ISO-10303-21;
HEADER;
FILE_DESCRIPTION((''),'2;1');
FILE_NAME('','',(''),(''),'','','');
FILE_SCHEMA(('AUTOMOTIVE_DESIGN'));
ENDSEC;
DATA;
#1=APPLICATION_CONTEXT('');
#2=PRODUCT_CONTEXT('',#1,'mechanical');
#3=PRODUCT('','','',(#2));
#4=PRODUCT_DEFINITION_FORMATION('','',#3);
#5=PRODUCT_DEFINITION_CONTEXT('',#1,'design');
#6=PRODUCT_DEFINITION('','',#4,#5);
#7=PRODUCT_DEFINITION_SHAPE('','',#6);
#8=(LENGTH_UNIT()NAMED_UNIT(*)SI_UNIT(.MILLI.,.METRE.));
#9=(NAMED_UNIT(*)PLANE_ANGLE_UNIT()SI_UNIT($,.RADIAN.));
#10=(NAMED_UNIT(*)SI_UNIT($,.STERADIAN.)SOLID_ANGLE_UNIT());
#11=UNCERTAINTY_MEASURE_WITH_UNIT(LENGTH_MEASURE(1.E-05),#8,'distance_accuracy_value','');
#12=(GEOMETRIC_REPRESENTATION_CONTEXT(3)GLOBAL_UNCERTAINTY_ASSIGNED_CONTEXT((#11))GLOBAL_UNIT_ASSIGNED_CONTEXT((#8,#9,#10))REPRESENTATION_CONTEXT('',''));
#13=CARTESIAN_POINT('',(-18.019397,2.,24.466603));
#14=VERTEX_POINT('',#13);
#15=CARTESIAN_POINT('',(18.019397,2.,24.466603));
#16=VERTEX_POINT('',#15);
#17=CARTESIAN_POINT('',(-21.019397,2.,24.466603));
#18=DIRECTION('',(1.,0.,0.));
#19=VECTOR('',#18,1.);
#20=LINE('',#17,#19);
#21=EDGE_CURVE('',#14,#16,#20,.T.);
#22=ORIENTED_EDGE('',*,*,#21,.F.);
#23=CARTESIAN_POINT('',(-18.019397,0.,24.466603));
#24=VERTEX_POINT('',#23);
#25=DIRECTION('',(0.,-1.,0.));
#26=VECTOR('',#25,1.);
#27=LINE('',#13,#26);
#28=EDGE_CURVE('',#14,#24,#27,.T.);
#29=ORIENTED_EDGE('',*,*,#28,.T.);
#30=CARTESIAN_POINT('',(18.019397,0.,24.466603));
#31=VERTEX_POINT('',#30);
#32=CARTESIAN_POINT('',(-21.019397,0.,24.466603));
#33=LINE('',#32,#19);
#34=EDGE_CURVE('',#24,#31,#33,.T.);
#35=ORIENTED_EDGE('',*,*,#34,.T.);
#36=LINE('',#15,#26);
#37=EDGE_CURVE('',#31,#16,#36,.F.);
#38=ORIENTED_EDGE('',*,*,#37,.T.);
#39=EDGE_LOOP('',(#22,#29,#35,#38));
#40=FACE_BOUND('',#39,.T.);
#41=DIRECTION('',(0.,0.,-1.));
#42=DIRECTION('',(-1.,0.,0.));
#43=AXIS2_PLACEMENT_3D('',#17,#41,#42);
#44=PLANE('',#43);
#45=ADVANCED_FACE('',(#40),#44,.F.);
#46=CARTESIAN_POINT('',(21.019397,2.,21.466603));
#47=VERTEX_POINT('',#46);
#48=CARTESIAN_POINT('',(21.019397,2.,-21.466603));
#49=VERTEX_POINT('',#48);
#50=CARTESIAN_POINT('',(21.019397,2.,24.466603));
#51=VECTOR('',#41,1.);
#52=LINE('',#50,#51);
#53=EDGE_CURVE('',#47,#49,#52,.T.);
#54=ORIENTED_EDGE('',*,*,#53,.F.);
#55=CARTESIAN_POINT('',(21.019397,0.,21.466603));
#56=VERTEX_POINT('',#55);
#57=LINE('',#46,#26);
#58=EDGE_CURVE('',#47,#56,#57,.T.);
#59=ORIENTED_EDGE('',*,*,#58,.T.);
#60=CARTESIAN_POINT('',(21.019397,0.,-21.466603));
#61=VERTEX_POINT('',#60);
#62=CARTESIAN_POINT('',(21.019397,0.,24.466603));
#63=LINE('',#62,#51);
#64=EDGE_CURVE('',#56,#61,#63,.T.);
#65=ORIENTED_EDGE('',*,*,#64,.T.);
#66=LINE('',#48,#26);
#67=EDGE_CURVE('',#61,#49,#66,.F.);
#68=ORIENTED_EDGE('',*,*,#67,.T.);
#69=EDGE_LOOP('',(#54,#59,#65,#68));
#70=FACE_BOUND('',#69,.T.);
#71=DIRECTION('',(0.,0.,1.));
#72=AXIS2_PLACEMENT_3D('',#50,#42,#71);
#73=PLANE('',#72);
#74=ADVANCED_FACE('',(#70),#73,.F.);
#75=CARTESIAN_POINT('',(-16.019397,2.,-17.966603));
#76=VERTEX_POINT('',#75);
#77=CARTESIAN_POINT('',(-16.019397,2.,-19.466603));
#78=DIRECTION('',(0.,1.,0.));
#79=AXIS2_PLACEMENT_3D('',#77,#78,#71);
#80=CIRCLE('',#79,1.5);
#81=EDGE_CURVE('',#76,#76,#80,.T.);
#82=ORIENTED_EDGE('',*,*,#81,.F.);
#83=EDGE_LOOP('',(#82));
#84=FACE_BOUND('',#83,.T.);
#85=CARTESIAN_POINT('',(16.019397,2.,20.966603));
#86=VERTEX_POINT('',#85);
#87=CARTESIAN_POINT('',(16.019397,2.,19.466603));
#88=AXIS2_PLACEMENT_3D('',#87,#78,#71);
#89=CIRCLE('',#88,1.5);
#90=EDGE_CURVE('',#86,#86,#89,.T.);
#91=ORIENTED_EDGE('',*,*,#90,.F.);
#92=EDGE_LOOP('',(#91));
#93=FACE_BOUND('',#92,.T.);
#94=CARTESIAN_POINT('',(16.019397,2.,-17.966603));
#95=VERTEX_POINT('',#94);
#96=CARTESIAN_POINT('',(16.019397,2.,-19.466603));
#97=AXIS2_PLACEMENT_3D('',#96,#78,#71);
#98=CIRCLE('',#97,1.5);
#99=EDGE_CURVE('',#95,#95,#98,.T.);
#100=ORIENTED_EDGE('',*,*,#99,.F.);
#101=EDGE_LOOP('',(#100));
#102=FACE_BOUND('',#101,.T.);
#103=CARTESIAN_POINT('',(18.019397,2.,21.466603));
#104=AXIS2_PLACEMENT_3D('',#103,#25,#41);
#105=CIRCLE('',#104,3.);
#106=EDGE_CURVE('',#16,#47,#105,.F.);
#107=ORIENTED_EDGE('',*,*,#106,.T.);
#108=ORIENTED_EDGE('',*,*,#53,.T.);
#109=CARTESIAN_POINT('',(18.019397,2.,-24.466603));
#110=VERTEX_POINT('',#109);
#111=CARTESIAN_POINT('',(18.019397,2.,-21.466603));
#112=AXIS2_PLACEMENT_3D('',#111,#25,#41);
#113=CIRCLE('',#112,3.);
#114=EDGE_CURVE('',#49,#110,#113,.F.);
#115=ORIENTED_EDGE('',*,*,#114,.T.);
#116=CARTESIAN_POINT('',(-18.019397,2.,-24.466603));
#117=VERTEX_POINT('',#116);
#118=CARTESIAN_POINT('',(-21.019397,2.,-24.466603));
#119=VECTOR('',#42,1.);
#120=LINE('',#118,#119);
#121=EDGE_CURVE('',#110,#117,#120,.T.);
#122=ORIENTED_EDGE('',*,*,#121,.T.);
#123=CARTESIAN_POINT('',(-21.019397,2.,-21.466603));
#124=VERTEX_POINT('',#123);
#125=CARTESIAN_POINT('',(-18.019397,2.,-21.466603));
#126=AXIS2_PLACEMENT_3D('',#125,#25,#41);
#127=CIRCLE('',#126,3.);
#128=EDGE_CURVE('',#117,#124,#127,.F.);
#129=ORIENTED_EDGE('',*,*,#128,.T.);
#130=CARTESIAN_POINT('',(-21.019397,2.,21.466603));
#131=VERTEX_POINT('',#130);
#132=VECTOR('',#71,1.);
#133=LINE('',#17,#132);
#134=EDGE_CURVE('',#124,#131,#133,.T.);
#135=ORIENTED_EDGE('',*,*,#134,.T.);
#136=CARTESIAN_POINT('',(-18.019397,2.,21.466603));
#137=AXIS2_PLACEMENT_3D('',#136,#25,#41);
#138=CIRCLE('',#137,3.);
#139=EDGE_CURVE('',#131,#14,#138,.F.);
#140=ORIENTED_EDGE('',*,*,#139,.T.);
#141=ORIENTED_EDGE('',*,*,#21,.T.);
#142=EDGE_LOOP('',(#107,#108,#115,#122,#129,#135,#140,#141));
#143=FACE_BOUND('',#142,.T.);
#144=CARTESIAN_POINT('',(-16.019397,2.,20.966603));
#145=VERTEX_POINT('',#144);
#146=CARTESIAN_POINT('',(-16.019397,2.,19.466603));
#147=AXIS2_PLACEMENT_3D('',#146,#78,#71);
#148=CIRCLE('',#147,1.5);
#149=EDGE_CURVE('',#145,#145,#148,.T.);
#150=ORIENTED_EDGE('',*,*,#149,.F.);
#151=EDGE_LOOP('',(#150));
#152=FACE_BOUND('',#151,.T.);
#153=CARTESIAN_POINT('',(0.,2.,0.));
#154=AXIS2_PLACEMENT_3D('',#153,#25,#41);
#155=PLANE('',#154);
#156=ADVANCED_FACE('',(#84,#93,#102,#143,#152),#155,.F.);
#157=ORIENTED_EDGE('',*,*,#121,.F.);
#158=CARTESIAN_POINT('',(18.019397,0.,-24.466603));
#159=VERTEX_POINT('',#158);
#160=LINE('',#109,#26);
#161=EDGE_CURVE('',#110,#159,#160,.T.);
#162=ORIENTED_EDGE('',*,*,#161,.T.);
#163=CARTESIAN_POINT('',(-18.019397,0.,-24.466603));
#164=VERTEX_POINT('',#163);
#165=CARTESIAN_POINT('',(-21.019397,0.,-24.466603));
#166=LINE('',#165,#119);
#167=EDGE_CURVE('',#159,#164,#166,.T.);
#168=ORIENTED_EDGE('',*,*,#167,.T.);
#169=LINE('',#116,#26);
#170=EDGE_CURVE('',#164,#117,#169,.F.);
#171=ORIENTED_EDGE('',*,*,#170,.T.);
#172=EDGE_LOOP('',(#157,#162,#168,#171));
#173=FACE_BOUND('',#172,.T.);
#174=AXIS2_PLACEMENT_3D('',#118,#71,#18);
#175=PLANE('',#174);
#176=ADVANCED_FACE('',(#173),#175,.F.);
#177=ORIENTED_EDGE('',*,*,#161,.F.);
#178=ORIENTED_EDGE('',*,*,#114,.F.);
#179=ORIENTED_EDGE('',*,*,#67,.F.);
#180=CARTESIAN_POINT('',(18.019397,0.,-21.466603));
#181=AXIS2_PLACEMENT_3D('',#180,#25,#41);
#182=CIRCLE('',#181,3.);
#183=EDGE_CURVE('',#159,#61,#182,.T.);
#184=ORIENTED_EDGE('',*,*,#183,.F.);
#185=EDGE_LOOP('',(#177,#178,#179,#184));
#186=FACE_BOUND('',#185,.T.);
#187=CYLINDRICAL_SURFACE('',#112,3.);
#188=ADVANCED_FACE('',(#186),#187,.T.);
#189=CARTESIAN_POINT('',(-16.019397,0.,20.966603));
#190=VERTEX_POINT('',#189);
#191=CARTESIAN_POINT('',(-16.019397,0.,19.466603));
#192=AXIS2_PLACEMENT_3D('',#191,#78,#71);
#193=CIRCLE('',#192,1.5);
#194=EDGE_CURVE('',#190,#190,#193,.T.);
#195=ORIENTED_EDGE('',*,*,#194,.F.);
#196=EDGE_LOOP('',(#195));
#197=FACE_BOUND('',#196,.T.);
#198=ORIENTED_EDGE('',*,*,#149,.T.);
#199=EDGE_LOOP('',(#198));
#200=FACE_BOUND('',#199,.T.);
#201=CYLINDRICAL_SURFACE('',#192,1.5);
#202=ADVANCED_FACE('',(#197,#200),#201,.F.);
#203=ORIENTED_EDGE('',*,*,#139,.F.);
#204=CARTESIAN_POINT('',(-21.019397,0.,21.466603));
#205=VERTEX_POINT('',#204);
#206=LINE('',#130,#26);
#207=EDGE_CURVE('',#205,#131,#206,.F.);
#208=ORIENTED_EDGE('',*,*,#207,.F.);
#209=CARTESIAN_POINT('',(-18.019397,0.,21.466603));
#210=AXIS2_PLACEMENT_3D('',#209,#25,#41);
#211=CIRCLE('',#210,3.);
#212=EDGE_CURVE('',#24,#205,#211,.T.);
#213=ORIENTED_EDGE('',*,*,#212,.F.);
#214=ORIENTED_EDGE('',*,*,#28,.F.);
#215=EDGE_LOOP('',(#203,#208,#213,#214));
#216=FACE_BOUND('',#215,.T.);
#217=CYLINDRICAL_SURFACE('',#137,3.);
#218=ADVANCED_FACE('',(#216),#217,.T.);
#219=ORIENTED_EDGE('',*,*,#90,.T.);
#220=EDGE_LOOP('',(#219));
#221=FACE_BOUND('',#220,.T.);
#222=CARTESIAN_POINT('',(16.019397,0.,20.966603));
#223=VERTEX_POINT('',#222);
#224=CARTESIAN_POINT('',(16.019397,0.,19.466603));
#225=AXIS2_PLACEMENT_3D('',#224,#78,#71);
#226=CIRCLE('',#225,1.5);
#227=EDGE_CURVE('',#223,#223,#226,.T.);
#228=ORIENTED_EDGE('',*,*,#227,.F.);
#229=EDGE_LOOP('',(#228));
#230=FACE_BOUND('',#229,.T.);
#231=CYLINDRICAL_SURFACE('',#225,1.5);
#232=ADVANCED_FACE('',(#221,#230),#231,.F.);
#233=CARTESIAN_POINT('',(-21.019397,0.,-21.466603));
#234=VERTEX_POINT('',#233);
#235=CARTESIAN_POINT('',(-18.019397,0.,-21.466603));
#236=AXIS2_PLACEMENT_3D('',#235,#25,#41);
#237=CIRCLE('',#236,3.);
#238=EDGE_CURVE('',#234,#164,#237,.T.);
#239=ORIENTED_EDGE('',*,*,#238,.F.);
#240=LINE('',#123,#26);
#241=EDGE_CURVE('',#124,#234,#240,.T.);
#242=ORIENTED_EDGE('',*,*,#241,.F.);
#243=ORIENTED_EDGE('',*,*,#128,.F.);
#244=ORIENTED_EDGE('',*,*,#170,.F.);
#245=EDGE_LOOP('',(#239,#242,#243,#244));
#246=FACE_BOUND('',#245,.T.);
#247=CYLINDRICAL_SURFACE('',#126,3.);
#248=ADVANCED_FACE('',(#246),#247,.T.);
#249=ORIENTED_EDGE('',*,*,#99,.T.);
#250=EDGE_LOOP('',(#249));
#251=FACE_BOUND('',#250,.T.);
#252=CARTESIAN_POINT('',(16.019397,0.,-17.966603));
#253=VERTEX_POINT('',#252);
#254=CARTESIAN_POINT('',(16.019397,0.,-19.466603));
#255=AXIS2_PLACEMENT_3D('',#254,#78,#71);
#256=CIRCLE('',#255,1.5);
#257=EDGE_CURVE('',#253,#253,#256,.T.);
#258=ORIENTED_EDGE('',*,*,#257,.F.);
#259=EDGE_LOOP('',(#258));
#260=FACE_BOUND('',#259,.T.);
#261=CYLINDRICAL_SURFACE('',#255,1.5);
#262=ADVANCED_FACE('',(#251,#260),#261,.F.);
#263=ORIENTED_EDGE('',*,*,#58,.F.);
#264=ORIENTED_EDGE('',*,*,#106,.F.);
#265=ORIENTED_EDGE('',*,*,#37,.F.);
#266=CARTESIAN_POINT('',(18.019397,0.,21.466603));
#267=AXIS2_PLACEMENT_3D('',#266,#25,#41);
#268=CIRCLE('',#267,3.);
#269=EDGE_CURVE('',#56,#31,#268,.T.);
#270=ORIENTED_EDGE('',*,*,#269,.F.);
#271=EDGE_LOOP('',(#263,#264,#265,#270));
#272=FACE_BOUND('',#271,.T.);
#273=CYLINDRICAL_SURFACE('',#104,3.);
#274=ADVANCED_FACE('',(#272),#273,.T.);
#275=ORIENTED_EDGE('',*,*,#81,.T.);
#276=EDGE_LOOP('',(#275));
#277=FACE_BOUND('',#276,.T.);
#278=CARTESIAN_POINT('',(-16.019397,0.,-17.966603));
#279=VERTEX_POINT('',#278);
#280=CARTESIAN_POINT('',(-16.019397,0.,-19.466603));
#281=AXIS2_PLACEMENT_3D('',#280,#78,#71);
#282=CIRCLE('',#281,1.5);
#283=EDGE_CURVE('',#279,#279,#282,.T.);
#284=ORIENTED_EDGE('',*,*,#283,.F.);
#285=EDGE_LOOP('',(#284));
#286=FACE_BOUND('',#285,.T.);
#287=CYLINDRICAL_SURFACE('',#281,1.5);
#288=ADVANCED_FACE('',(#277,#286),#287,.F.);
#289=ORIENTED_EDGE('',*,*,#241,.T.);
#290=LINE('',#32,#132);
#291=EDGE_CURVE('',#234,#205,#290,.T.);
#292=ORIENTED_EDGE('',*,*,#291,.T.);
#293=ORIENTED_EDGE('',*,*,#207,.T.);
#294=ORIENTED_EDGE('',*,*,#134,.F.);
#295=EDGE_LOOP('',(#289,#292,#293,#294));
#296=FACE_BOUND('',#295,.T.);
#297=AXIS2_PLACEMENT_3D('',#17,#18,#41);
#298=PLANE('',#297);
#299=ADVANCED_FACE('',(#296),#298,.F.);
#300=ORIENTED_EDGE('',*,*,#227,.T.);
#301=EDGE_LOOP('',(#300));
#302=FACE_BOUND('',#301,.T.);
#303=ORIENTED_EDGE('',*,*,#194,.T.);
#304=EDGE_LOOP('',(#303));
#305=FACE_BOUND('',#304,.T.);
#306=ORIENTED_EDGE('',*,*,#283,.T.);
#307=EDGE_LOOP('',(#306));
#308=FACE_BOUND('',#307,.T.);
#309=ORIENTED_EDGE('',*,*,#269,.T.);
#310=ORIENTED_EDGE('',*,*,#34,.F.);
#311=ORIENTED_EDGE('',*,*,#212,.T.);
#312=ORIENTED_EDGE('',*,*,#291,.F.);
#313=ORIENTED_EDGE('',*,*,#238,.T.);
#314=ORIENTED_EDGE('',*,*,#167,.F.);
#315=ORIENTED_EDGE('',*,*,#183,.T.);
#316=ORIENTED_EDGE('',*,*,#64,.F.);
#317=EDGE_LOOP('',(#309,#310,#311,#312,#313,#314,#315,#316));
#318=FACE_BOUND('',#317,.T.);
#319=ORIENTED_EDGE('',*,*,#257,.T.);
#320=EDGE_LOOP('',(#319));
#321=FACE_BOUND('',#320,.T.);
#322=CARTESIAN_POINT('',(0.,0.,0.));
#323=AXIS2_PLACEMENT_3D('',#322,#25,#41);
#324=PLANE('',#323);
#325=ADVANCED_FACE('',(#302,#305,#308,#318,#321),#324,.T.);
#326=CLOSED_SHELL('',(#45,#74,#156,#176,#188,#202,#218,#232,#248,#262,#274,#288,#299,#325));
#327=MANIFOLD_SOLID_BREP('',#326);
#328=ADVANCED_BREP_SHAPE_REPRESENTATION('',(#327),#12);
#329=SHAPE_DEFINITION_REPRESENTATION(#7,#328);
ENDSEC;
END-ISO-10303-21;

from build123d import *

# Parameters (mm, degrees)
SKETCH_1_W          = 42.03879434
SKETCH_1_H          = 48.933205412
EXTRUDE_1_DEPTH     = 2
SKETCH_3_R          = 1.5
CUT_EXTRUDE_1_DEPTH = 33.317637682
FILLET_1_R          = 3


with BuildPart() as part:
    # Эскиз1 → Бобышка-Вытянуть1 (new body)
    with BuildSketch(Plane(origin=(0, 0, 0), x_dir=(1, 0, 0), z_dir=(0, 1, 0))):
        Rectangle(SKETCH_1_W, SKETCH_1_H)
    extrude(amount=EXTRUDE_1_DEPTH)

    # Эскиз3 → Вырез-Вытянуть1 (cut, through all)
    with BuildSketch(Plane(origin=(0, 2, 0), x_dir=(1, 0, 0), z_dir=(0, 1, 0))):
        with Locations(Location((-16.01939717, 19.466602706, 0), (0, 0, 270))):
            Circle(SKETCH_3_R)
        with Locations(Location((16.01939717, 19.466602706, 0), (0, 0, 270))):
            Circle(SKETCH_3_R)
        with Locations(Location((16.01939717, -19.466602706, 0), (0, 0, 270))):
            Circle(SKETCH_3_R)
        with Locations(Location((-16.01939717, -19.466602706, 0), (0, 0, 270))):
            Circle(SKETCH_3_R)
    extrude(amount=-CUT_EXTRUDE_1_DEPTH, mode=Mode.SUBTRACT)

    # Скругление1
    fillet_1_edges = [part.edges().sort_by_distance(p)[0] for p in [
        (21.01939717, 1, 24.466602706),
        (-21.01939717, 1, 24.466602706),
        (-21.01939717, 1, -24.466602706),
        (21.01939717, 1, -24.466602706),
    ]]
    fillet(fillet_1_edges, radius=FILLET_1_R)


solid = part.part
